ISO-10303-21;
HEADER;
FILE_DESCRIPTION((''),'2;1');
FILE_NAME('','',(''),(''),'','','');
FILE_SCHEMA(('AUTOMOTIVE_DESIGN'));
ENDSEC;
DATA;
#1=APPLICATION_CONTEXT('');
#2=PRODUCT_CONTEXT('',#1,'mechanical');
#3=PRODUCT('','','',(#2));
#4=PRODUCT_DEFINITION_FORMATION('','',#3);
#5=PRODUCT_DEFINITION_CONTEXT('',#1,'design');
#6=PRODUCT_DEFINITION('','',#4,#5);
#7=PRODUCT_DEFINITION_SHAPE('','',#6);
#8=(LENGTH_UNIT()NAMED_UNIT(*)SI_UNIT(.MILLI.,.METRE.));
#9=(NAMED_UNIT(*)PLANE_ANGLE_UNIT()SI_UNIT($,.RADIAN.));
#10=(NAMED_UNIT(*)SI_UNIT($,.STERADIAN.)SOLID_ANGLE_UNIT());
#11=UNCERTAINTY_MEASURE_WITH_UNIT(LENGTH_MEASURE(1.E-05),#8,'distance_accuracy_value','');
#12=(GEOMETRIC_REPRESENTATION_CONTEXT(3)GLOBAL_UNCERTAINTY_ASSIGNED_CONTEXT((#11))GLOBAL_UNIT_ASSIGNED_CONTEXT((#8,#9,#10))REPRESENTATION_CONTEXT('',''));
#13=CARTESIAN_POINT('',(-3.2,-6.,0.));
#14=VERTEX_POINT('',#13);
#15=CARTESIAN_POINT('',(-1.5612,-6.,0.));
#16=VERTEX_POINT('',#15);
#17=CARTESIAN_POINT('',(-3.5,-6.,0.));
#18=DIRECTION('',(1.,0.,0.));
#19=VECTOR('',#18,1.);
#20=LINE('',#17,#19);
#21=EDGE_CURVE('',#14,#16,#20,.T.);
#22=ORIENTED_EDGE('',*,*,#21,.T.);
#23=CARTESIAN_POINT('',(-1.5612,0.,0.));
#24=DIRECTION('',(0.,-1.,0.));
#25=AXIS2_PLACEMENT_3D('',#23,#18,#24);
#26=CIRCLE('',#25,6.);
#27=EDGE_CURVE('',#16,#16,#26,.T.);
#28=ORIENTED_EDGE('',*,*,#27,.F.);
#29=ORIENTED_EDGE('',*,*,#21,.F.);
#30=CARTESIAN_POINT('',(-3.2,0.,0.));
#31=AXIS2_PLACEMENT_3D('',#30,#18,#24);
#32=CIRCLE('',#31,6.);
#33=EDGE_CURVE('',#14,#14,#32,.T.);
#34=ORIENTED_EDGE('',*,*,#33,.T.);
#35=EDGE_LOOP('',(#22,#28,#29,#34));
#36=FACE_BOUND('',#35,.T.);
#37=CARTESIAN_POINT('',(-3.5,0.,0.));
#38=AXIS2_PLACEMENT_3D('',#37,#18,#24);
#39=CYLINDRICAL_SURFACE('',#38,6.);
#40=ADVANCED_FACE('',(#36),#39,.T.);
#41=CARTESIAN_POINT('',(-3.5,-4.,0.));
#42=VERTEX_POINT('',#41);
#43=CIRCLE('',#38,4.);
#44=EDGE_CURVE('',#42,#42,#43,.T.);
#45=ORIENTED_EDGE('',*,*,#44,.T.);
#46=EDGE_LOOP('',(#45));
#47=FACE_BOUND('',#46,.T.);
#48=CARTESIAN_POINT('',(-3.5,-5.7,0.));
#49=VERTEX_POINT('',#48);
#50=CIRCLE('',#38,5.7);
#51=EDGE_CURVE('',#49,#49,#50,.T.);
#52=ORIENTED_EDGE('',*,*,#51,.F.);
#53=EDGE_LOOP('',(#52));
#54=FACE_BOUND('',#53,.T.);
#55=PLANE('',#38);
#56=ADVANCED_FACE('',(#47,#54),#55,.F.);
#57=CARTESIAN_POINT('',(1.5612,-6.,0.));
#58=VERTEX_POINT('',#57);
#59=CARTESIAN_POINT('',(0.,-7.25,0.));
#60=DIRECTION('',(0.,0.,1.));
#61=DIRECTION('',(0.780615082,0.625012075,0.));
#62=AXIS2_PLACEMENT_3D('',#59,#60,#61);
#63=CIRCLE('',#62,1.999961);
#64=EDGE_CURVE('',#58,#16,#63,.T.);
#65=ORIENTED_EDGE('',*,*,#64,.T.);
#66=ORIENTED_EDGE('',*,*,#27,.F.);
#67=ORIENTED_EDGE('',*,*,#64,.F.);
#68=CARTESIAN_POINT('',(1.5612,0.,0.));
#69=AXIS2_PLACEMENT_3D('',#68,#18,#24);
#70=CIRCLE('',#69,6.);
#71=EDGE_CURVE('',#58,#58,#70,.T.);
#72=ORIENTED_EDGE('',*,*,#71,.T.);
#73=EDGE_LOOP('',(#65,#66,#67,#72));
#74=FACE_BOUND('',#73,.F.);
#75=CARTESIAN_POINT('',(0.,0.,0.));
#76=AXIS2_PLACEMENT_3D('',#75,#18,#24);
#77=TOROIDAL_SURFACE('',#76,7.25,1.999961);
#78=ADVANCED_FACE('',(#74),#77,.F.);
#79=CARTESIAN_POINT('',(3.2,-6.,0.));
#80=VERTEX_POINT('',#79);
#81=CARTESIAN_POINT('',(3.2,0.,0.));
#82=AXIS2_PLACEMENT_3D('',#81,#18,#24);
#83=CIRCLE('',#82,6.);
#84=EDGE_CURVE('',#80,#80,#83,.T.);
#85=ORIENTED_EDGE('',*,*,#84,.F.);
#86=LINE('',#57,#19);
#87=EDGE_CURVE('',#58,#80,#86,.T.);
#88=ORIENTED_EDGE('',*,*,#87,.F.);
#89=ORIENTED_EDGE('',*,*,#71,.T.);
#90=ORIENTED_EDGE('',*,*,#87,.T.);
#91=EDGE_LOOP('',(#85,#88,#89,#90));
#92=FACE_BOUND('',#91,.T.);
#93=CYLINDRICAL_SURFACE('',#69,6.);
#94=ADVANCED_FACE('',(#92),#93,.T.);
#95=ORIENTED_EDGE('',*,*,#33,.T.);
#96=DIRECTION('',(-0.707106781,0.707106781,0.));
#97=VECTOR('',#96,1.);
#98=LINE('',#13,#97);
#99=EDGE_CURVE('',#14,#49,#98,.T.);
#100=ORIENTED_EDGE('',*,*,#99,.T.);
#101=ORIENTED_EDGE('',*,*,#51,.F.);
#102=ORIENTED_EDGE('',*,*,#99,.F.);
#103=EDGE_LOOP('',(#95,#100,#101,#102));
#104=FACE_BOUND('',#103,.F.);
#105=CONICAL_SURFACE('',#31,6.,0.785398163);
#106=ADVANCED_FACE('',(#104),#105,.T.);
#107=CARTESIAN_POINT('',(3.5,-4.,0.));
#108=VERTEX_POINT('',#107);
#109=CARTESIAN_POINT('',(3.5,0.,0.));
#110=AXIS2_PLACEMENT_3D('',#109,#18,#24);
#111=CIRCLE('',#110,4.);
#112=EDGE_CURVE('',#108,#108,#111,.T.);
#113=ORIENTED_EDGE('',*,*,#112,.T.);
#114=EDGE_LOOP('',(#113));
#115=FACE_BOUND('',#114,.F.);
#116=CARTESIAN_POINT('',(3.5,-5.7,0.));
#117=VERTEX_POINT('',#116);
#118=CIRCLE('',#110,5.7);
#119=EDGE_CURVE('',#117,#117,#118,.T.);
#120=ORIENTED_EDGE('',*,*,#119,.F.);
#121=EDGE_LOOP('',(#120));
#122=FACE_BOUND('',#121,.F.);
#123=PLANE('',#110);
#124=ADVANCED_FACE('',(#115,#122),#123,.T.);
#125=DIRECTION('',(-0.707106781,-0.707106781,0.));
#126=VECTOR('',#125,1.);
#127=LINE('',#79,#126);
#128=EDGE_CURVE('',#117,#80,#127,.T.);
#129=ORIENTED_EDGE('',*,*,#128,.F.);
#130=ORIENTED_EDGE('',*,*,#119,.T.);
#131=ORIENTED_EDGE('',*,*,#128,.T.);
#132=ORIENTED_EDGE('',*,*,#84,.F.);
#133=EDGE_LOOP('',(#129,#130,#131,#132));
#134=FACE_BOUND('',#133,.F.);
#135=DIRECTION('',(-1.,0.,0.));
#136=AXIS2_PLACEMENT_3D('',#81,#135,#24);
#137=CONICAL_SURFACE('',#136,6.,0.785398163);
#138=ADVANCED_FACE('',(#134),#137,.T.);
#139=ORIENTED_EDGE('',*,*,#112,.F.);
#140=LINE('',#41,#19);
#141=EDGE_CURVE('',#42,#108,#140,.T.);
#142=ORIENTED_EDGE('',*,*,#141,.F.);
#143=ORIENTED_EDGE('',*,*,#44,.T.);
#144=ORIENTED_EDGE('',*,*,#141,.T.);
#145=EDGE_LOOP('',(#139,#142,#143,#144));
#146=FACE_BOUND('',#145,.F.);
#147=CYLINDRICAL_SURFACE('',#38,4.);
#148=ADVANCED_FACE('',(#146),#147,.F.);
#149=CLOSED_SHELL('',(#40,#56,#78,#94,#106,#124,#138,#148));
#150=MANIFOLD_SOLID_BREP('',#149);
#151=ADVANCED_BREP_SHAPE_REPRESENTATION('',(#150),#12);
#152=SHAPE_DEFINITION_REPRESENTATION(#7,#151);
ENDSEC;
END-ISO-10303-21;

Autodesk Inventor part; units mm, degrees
ref_plane "YZ Plane" through (0, 0, 0) normal (1, 0, 0) x (0, 1, 0)
ref_plane "XZ Plane" through (0, 0, 0) normal (0, 1, 0) x (-1, 0, 0)
ref_plane "XY Plane" through (0, 0, 0) normal (0, 0, 1) x (1, 0, 0)
sketch "Sketch1" plane through (0, 0, 0) normal (0, 0, 1) x (1, 0, 0)
  line L0 (0, 0) -> (0, -4) construction
  line L1 (-3.5, -4) -> (3.5, -4)
  line L2 (3.5, -4) -> (3.5, -6)
  line L3 (-3.5, -4) -> (-3.5, -6)
  line L4 (-4.9, 0) -> (4.9, 0) projected
  line L5 (0, -6) -> (0, -7.25) construction
  arc A0 (1.5612, -6) -> (-1.5612, -6) centre (0, -7.25) ccw
  line L6 (-3.5, -6) -> (-1.5612, -6)
  line L7 (1.5612, -6) -> (3.5, -6)
  dimension "d0" = 4
  dimension "d1" = 7
  dimension "d2" = 2
  dimension "d10" = 1.25
  dimension "d11" = 4
revolve "Revolution1" add sketch "Sketch1" angle 360 about axis through (-10, 0, 0) along (1, 0, 0)
chamfer "Chamfer1" distance 0.3 angle 45 2 edges at (-3.5, 6, 0) (3.5, 6, 0)
properties part number "Bearings - Inner Race" material "Stainless Steel"
